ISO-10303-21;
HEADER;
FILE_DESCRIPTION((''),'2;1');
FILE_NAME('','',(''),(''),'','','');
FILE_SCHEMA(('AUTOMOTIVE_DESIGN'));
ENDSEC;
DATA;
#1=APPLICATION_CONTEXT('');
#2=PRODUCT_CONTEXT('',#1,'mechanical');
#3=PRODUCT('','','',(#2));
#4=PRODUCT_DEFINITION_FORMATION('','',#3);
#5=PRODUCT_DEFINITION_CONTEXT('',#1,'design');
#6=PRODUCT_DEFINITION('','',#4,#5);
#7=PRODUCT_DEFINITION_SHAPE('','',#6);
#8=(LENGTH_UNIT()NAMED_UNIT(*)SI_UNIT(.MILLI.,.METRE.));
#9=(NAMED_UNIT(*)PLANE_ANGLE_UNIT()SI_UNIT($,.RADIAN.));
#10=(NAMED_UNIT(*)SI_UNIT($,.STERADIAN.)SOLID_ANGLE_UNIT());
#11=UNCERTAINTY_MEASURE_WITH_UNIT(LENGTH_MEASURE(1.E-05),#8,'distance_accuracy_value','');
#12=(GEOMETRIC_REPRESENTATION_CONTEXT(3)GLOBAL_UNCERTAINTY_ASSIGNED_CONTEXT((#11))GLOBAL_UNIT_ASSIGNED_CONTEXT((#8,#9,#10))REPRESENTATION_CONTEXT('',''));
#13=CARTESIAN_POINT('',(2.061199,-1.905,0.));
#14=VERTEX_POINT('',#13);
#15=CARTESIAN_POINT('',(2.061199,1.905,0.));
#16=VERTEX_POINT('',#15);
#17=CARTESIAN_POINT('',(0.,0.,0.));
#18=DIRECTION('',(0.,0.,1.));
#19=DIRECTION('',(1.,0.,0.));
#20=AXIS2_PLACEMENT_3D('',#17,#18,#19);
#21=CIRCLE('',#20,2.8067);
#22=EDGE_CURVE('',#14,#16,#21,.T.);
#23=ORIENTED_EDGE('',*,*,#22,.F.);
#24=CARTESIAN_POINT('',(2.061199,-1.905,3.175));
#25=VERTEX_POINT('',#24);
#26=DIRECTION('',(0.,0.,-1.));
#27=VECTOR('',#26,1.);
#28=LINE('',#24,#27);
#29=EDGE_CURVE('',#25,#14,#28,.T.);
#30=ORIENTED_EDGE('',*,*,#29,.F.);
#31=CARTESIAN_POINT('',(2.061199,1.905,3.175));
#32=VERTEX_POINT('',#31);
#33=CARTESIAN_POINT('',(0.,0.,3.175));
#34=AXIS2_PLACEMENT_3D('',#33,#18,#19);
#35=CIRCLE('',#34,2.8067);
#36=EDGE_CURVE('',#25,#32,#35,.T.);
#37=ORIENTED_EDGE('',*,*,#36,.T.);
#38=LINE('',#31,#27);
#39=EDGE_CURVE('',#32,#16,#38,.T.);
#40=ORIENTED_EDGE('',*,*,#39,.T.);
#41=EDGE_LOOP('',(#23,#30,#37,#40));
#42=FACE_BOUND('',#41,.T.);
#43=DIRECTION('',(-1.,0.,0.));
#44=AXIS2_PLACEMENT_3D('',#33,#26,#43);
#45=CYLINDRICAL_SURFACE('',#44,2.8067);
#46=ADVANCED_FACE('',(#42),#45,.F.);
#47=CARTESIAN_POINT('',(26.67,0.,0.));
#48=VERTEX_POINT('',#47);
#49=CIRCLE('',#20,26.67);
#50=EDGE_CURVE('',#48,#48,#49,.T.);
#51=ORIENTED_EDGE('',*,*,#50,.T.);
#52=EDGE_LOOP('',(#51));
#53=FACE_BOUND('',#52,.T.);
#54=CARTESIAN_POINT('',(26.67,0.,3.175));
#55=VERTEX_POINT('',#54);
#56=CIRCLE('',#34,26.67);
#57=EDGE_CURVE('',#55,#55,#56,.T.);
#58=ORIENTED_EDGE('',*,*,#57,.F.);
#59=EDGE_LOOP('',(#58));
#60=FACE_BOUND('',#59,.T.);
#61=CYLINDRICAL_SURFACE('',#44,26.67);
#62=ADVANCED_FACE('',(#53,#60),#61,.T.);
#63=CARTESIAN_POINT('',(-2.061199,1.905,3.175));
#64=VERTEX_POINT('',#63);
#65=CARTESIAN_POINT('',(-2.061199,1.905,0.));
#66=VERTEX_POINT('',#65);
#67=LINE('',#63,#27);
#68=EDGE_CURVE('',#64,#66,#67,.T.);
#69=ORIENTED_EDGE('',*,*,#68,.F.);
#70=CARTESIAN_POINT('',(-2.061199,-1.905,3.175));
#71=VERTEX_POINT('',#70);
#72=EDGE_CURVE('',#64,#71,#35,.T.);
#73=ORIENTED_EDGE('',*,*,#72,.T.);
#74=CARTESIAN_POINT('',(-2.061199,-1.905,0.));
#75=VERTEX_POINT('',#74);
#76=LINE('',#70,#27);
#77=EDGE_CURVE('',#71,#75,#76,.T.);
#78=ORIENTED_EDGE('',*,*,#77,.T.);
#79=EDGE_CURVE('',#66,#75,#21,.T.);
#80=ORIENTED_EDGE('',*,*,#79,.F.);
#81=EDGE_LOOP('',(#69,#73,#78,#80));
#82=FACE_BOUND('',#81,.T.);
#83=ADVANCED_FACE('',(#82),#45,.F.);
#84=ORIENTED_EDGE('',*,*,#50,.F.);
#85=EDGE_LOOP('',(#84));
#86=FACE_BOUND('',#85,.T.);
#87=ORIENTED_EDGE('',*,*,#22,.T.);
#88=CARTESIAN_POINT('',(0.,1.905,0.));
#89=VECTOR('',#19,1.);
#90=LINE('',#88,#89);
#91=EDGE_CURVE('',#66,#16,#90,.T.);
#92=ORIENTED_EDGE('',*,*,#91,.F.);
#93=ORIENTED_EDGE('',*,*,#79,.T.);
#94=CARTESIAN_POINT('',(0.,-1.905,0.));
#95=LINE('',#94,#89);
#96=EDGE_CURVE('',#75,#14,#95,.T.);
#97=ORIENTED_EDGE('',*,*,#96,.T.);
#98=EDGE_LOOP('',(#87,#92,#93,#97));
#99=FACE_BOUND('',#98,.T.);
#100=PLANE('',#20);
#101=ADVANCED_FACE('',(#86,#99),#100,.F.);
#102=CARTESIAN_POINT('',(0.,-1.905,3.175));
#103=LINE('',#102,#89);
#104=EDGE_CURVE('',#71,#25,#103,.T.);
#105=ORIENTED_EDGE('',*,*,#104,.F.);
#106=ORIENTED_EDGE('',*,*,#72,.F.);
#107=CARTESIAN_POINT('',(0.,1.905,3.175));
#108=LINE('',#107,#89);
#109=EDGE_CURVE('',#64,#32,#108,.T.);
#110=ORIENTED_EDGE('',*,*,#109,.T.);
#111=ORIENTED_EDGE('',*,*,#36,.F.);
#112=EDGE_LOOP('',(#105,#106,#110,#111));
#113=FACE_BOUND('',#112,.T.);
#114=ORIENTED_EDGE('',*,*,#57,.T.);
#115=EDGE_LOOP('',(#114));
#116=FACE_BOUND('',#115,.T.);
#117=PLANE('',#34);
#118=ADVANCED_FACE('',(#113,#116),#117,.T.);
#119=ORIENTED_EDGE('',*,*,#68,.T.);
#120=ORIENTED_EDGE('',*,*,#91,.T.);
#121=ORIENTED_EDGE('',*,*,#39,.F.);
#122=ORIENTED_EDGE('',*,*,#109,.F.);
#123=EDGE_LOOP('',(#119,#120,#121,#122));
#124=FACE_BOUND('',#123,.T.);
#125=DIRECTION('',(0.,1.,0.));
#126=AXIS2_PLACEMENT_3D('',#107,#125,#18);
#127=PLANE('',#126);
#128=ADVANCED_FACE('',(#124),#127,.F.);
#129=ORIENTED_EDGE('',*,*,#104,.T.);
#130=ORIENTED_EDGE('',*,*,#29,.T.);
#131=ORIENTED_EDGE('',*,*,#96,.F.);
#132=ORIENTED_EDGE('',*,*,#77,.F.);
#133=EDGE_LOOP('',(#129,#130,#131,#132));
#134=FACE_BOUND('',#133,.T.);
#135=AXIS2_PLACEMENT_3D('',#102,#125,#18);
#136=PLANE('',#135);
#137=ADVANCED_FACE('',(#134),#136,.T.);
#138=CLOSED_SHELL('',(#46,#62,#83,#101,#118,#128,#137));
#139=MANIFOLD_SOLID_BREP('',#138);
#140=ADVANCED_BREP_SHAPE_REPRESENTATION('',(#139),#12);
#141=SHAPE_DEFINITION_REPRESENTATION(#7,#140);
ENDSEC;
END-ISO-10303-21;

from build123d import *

# Parameters (mm, degrees)
SKETCH1_R           = 26.67
BOSS_EXTRUDE1_DEPTH = 3.175


with BuildPart() as part:
    # Sketch1 → Boss-Extrude1 (new body)
    with BuildSketch(Plane.XY):
        Circle(SKETCH1_R)
        with BuildLine():
            ThreePointArc((-2.061198654, 1.905), (-2.8067, 0), (-2.061198654, -1.905))
            Line((-2.061198654, -1.905), (2.061198654, -1.905))
            ThreePointArc((2.061198654, -1.905), (2.8067, 0), (2.061198654, 1.905))
            Line((2.061198654, 1.905), (-2.061198654, 1.905))
        make_face(mode=Mode.SUBTRACT)
    extrude(amount=BOSS_EXTRUDE1_DEPTH)


solid = part.part
